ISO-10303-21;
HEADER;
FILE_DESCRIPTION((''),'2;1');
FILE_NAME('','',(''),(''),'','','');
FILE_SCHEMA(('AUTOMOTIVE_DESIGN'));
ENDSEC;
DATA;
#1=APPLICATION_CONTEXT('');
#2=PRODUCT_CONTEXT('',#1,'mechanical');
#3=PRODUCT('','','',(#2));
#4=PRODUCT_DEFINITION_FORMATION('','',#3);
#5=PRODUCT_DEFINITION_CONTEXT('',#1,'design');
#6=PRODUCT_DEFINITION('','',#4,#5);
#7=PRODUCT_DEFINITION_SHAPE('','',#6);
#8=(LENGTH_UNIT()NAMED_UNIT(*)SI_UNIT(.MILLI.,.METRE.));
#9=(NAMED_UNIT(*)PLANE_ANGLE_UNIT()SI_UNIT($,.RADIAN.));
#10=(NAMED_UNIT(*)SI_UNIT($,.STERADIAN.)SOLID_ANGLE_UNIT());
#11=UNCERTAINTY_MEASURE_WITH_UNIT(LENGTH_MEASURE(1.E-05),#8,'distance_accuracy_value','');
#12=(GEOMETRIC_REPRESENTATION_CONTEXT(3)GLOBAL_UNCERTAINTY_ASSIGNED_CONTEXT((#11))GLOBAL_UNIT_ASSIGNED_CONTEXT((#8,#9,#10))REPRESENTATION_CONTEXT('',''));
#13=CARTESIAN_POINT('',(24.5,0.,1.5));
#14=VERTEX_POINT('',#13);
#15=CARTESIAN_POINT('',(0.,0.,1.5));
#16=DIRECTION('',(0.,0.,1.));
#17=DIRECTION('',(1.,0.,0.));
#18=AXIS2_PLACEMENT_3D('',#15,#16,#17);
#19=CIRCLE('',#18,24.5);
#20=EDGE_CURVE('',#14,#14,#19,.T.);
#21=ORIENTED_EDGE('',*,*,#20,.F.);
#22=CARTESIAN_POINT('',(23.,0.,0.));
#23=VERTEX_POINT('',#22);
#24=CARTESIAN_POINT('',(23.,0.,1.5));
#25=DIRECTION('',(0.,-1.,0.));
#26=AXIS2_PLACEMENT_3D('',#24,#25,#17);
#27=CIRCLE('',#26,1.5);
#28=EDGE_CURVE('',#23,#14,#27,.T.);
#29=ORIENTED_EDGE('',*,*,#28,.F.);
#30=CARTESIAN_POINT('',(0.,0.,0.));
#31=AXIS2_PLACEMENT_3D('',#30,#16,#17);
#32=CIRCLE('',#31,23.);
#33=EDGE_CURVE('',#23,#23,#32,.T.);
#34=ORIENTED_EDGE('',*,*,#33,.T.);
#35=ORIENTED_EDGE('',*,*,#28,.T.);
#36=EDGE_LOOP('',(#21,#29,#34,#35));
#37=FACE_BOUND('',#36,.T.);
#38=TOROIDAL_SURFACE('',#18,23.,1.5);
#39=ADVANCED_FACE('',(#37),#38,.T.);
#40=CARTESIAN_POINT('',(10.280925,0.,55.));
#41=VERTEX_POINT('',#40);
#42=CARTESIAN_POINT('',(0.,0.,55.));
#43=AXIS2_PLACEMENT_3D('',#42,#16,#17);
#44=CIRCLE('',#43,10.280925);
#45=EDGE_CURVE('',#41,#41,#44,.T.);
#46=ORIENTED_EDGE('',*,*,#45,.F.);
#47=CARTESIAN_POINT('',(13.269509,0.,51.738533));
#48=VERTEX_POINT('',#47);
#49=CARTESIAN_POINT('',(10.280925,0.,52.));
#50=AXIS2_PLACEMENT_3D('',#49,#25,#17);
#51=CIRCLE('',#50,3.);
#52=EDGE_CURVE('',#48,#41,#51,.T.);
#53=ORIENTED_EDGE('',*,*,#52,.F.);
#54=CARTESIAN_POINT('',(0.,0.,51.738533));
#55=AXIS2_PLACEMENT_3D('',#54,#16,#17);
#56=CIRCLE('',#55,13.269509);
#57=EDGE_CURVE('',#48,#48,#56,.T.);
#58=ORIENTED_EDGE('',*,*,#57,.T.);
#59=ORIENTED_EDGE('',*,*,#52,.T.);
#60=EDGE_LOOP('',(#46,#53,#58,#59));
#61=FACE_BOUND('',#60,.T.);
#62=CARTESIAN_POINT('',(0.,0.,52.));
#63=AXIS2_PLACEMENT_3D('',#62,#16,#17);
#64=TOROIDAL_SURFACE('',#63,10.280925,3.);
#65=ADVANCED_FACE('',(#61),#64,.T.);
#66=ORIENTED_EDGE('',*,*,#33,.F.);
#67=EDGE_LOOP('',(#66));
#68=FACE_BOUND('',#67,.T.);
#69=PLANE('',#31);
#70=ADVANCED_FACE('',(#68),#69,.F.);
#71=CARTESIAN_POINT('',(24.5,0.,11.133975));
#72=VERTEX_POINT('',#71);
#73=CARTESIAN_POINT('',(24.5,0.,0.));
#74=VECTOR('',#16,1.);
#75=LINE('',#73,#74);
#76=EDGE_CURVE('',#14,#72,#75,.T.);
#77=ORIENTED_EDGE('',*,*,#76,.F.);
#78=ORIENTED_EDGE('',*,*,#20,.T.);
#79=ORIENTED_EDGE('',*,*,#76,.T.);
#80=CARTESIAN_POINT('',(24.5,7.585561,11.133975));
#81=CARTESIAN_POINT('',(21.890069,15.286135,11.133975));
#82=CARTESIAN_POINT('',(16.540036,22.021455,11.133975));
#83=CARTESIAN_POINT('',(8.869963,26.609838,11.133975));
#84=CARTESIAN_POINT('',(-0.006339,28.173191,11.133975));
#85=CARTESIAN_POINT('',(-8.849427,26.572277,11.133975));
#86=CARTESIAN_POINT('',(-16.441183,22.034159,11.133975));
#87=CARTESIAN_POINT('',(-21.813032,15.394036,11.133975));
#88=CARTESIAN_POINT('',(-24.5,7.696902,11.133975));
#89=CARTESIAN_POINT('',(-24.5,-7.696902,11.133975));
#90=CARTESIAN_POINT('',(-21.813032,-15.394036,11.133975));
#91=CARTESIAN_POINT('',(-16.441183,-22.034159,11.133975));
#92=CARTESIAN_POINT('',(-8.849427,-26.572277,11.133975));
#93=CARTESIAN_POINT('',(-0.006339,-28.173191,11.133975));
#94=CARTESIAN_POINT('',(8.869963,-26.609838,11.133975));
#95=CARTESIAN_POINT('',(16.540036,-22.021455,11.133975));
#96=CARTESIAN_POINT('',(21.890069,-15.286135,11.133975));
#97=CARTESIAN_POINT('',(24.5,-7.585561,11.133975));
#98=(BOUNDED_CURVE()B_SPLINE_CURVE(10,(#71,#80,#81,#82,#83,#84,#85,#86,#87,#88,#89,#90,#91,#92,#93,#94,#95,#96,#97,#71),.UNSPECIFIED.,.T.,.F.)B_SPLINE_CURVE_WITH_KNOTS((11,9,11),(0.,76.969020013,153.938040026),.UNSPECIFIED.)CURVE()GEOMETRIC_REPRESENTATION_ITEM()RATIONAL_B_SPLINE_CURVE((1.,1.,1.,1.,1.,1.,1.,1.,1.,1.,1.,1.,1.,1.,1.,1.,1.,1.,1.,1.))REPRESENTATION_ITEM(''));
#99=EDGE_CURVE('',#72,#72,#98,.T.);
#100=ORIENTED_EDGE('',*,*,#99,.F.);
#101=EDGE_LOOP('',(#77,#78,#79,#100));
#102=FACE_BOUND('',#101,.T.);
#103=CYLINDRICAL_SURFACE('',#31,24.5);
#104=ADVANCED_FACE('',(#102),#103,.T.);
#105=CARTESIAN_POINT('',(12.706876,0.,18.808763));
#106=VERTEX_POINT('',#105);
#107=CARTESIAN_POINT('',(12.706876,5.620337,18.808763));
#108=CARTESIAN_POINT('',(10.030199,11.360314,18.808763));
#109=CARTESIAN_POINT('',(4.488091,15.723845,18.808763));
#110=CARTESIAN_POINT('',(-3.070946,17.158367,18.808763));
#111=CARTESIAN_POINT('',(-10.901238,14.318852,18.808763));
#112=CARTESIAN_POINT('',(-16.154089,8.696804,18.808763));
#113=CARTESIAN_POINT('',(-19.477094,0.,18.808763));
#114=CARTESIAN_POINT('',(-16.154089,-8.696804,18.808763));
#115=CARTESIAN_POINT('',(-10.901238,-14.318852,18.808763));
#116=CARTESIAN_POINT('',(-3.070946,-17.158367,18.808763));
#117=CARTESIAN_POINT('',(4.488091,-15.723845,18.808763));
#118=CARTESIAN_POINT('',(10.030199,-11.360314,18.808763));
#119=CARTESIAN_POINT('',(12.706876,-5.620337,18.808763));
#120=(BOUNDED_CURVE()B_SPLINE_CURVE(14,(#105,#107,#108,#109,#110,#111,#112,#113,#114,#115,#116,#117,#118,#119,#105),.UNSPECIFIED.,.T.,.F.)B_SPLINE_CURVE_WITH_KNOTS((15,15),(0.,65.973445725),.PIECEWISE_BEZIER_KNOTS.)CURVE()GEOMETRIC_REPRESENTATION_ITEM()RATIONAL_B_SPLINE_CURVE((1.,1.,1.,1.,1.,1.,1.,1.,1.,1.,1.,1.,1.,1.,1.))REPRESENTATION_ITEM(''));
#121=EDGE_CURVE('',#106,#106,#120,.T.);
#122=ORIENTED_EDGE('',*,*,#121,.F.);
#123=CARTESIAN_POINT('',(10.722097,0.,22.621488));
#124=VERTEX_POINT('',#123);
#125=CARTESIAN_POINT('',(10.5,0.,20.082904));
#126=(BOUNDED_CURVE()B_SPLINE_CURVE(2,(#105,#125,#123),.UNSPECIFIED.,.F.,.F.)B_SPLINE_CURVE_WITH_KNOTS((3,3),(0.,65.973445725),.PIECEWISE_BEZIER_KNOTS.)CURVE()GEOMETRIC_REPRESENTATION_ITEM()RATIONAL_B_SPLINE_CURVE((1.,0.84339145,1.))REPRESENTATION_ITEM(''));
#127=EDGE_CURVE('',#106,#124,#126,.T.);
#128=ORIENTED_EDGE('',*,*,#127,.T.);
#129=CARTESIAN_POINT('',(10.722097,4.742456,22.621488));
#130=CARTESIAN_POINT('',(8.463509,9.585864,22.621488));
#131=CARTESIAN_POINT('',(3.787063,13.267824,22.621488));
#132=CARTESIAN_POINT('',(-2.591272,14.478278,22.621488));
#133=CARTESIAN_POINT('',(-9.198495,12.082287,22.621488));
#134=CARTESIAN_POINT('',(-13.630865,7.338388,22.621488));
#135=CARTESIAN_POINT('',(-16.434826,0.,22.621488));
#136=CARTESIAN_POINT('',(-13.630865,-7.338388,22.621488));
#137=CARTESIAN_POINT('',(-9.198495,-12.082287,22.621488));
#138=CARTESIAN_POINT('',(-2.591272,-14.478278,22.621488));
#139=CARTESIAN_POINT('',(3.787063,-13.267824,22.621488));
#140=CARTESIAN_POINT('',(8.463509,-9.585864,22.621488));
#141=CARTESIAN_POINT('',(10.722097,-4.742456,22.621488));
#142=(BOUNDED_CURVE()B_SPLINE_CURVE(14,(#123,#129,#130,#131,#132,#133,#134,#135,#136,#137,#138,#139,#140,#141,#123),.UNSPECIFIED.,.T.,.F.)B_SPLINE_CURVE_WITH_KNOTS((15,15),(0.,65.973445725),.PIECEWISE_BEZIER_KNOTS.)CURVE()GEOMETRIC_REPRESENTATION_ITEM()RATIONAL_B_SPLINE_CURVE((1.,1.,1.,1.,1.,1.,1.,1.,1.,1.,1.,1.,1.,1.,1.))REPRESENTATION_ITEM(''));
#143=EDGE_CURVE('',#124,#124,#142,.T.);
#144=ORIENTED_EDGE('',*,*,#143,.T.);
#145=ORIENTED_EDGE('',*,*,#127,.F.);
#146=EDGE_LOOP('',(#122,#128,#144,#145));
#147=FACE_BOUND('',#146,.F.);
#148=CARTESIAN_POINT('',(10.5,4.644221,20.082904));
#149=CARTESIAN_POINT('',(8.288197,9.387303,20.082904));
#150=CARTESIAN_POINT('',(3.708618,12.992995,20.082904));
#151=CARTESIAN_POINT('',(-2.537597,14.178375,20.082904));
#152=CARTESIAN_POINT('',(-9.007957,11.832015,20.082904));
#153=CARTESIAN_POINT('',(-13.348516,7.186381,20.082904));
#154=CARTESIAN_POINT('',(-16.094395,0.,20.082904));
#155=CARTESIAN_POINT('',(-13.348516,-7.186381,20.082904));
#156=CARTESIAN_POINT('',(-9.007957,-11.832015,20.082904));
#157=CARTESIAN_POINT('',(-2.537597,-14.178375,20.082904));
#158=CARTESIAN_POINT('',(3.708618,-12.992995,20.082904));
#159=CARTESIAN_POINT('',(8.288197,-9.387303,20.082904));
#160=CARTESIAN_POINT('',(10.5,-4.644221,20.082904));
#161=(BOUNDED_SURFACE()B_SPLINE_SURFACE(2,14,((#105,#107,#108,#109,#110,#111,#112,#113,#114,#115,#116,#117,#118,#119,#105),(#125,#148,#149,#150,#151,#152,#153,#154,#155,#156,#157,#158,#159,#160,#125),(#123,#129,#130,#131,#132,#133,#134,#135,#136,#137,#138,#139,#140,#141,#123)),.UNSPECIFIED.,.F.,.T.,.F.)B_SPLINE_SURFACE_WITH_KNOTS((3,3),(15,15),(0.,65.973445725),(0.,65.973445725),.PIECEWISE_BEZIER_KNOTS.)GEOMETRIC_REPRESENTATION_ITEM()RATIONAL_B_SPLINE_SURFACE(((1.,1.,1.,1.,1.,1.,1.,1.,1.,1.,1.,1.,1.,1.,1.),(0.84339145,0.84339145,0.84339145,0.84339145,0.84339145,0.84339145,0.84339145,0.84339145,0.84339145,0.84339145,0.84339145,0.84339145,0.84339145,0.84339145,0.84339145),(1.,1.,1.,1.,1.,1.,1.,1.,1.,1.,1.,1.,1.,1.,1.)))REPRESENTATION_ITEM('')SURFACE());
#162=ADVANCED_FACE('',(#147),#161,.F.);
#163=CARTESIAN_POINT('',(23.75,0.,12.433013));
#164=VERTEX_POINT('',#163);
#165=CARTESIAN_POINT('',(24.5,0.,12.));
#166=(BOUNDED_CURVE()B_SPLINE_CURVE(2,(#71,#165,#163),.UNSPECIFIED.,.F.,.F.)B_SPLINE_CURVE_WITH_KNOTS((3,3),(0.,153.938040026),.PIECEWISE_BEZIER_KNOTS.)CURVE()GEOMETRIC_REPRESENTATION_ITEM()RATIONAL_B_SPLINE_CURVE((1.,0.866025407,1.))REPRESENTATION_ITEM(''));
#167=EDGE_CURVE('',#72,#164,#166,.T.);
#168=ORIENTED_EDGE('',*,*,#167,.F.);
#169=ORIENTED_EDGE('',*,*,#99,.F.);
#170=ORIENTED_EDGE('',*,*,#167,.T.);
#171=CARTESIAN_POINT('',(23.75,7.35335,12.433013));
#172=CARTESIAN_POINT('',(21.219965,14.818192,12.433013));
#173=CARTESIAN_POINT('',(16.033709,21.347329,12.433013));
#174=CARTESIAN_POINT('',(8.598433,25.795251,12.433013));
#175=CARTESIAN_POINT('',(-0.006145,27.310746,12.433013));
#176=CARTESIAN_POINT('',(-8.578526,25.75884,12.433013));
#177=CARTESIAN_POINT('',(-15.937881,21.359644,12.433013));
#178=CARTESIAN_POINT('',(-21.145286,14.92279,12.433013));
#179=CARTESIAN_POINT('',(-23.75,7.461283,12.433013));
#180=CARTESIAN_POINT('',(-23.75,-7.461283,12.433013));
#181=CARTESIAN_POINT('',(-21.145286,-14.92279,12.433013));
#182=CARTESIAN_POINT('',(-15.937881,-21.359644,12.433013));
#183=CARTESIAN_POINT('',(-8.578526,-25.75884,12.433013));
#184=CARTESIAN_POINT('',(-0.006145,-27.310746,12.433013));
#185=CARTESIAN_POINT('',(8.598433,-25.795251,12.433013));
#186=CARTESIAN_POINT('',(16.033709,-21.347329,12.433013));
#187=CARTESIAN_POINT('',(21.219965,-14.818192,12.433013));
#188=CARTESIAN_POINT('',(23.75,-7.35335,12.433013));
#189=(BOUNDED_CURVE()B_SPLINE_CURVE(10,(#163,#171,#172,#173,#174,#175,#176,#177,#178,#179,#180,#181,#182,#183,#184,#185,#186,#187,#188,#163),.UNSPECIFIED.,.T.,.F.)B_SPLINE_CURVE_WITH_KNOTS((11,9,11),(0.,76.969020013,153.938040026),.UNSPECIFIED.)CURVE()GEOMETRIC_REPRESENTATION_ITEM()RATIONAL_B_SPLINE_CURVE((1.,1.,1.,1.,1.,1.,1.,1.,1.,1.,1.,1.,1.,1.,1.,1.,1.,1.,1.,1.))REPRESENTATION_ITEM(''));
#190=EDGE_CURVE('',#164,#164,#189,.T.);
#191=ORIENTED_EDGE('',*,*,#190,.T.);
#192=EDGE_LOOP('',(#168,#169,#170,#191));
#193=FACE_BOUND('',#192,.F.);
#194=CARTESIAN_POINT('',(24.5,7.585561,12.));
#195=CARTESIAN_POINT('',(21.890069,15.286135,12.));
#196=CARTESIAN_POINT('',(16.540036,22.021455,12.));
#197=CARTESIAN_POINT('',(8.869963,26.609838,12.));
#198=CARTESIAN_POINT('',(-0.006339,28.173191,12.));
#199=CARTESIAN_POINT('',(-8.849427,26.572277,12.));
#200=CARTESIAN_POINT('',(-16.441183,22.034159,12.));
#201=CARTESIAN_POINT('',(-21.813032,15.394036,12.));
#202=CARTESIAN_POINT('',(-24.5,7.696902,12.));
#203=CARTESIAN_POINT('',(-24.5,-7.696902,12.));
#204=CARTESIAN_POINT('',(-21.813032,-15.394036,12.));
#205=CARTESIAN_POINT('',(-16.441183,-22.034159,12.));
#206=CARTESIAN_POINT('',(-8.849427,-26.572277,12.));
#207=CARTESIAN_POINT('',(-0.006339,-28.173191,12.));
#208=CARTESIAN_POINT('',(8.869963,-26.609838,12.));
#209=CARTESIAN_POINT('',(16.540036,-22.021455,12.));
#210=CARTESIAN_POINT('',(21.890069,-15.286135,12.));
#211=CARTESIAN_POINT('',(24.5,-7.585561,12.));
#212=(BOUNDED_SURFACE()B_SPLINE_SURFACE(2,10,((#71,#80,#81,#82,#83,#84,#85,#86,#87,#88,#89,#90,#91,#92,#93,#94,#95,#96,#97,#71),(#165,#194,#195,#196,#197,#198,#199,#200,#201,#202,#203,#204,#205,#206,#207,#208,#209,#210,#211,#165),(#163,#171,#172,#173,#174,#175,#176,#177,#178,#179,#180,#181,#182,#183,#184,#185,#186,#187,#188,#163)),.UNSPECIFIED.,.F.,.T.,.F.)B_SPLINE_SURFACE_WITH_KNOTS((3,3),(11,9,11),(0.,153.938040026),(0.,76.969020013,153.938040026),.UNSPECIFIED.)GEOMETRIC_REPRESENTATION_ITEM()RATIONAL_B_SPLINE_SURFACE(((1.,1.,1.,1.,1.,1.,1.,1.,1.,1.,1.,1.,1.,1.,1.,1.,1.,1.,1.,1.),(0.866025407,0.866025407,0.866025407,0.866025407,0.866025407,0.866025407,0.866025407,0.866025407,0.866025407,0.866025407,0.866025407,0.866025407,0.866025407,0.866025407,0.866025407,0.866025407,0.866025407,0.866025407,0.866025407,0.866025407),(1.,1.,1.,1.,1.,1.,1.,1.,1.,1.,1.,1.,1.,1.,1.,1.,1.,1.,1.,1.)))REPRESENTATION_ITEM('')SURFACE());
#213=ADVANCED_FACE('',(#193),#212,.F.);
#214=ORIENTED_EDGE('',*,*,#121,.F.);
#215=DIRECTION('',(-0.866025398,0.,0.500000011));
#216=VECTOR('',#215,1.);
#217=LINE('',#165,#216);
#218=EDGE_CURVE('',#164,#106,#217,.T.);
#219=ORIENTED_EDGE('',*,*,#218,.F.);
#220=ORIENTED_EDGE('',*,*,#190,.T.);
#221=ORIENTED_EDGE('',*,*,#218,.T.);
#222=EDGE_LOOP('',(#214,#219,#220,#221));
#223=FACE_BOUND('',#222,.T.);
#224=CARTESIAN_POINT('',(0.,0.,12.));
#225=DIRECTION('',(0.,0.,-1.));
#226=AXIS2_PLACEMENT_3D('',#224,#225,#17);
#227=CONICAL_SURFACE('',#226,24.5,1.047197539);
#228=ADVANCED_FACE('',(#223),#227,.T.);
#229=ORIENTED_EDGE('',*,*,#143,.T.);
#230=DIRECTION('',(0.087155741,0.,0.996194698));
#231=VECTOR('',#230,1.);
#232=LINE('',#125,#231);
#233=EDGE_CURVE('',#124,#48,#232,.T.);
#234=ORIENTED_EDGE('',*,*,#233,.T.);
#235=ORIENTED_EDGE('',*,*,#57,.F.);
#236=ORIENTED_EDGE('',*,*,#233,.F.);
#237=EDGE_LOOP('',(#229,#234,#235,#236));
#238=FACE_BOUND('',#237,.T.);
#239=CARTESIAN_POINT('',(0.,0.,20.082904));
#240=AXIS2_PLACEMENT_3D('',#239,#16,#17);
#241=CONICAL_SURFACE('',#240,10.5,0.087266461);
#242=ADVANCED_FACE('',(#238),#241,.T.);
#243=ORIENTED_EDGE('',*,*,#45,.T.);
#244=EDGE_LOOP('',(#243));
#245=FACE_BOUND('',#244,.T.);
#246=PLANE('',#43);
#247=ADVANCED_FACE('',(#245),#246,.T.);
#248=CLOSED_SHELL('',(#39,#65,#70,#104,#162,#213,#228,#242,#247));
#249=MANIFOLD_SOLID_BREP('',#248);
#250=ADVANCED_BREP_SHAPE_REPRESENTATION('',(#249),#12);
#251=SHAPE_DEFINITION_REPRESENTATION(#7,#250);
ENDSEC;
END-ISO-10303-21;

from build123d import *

# Parameters (mm, degrees)
F2_R = 1.5
F3_R = 4
F4_R = 3


with BuildPart() as f1:
    # F0 (on Front) → F1 (revolve)
    with BuildSketch(Plane.XZ):
        Polygon((0, 55), (0, 0), (24.5, 0), (24.5, 12), (10.5, 20.082904), (13.55485, 55), align=None)
    revolve(axis=Axis((0, 0, 27.5), (0, 0, 1)))

    # F2
    f2_edges = [f1.edges().sort_by_distance(p)[0] for p in [
        (-24.5, 0, 0),
        (-24.5, 0, 12),
    ]]
    fillet(f2_edges, radius=F2_R)

    # F3
    f3_edges = [f1.edges().sort_by_distance(p)[0] for p in [
        (-10.5, 0, 20.082904),
    ]]
    fillet(f3_edges, radius=F3_R)

    # F4
    f4_edges = [f1.edges().sort_by_distance(p)[0] for p in [
        (-13.55485, 0, 55),
    ]]
    fillet(f4_edges, radius=F4_R)


solid = f1.part
